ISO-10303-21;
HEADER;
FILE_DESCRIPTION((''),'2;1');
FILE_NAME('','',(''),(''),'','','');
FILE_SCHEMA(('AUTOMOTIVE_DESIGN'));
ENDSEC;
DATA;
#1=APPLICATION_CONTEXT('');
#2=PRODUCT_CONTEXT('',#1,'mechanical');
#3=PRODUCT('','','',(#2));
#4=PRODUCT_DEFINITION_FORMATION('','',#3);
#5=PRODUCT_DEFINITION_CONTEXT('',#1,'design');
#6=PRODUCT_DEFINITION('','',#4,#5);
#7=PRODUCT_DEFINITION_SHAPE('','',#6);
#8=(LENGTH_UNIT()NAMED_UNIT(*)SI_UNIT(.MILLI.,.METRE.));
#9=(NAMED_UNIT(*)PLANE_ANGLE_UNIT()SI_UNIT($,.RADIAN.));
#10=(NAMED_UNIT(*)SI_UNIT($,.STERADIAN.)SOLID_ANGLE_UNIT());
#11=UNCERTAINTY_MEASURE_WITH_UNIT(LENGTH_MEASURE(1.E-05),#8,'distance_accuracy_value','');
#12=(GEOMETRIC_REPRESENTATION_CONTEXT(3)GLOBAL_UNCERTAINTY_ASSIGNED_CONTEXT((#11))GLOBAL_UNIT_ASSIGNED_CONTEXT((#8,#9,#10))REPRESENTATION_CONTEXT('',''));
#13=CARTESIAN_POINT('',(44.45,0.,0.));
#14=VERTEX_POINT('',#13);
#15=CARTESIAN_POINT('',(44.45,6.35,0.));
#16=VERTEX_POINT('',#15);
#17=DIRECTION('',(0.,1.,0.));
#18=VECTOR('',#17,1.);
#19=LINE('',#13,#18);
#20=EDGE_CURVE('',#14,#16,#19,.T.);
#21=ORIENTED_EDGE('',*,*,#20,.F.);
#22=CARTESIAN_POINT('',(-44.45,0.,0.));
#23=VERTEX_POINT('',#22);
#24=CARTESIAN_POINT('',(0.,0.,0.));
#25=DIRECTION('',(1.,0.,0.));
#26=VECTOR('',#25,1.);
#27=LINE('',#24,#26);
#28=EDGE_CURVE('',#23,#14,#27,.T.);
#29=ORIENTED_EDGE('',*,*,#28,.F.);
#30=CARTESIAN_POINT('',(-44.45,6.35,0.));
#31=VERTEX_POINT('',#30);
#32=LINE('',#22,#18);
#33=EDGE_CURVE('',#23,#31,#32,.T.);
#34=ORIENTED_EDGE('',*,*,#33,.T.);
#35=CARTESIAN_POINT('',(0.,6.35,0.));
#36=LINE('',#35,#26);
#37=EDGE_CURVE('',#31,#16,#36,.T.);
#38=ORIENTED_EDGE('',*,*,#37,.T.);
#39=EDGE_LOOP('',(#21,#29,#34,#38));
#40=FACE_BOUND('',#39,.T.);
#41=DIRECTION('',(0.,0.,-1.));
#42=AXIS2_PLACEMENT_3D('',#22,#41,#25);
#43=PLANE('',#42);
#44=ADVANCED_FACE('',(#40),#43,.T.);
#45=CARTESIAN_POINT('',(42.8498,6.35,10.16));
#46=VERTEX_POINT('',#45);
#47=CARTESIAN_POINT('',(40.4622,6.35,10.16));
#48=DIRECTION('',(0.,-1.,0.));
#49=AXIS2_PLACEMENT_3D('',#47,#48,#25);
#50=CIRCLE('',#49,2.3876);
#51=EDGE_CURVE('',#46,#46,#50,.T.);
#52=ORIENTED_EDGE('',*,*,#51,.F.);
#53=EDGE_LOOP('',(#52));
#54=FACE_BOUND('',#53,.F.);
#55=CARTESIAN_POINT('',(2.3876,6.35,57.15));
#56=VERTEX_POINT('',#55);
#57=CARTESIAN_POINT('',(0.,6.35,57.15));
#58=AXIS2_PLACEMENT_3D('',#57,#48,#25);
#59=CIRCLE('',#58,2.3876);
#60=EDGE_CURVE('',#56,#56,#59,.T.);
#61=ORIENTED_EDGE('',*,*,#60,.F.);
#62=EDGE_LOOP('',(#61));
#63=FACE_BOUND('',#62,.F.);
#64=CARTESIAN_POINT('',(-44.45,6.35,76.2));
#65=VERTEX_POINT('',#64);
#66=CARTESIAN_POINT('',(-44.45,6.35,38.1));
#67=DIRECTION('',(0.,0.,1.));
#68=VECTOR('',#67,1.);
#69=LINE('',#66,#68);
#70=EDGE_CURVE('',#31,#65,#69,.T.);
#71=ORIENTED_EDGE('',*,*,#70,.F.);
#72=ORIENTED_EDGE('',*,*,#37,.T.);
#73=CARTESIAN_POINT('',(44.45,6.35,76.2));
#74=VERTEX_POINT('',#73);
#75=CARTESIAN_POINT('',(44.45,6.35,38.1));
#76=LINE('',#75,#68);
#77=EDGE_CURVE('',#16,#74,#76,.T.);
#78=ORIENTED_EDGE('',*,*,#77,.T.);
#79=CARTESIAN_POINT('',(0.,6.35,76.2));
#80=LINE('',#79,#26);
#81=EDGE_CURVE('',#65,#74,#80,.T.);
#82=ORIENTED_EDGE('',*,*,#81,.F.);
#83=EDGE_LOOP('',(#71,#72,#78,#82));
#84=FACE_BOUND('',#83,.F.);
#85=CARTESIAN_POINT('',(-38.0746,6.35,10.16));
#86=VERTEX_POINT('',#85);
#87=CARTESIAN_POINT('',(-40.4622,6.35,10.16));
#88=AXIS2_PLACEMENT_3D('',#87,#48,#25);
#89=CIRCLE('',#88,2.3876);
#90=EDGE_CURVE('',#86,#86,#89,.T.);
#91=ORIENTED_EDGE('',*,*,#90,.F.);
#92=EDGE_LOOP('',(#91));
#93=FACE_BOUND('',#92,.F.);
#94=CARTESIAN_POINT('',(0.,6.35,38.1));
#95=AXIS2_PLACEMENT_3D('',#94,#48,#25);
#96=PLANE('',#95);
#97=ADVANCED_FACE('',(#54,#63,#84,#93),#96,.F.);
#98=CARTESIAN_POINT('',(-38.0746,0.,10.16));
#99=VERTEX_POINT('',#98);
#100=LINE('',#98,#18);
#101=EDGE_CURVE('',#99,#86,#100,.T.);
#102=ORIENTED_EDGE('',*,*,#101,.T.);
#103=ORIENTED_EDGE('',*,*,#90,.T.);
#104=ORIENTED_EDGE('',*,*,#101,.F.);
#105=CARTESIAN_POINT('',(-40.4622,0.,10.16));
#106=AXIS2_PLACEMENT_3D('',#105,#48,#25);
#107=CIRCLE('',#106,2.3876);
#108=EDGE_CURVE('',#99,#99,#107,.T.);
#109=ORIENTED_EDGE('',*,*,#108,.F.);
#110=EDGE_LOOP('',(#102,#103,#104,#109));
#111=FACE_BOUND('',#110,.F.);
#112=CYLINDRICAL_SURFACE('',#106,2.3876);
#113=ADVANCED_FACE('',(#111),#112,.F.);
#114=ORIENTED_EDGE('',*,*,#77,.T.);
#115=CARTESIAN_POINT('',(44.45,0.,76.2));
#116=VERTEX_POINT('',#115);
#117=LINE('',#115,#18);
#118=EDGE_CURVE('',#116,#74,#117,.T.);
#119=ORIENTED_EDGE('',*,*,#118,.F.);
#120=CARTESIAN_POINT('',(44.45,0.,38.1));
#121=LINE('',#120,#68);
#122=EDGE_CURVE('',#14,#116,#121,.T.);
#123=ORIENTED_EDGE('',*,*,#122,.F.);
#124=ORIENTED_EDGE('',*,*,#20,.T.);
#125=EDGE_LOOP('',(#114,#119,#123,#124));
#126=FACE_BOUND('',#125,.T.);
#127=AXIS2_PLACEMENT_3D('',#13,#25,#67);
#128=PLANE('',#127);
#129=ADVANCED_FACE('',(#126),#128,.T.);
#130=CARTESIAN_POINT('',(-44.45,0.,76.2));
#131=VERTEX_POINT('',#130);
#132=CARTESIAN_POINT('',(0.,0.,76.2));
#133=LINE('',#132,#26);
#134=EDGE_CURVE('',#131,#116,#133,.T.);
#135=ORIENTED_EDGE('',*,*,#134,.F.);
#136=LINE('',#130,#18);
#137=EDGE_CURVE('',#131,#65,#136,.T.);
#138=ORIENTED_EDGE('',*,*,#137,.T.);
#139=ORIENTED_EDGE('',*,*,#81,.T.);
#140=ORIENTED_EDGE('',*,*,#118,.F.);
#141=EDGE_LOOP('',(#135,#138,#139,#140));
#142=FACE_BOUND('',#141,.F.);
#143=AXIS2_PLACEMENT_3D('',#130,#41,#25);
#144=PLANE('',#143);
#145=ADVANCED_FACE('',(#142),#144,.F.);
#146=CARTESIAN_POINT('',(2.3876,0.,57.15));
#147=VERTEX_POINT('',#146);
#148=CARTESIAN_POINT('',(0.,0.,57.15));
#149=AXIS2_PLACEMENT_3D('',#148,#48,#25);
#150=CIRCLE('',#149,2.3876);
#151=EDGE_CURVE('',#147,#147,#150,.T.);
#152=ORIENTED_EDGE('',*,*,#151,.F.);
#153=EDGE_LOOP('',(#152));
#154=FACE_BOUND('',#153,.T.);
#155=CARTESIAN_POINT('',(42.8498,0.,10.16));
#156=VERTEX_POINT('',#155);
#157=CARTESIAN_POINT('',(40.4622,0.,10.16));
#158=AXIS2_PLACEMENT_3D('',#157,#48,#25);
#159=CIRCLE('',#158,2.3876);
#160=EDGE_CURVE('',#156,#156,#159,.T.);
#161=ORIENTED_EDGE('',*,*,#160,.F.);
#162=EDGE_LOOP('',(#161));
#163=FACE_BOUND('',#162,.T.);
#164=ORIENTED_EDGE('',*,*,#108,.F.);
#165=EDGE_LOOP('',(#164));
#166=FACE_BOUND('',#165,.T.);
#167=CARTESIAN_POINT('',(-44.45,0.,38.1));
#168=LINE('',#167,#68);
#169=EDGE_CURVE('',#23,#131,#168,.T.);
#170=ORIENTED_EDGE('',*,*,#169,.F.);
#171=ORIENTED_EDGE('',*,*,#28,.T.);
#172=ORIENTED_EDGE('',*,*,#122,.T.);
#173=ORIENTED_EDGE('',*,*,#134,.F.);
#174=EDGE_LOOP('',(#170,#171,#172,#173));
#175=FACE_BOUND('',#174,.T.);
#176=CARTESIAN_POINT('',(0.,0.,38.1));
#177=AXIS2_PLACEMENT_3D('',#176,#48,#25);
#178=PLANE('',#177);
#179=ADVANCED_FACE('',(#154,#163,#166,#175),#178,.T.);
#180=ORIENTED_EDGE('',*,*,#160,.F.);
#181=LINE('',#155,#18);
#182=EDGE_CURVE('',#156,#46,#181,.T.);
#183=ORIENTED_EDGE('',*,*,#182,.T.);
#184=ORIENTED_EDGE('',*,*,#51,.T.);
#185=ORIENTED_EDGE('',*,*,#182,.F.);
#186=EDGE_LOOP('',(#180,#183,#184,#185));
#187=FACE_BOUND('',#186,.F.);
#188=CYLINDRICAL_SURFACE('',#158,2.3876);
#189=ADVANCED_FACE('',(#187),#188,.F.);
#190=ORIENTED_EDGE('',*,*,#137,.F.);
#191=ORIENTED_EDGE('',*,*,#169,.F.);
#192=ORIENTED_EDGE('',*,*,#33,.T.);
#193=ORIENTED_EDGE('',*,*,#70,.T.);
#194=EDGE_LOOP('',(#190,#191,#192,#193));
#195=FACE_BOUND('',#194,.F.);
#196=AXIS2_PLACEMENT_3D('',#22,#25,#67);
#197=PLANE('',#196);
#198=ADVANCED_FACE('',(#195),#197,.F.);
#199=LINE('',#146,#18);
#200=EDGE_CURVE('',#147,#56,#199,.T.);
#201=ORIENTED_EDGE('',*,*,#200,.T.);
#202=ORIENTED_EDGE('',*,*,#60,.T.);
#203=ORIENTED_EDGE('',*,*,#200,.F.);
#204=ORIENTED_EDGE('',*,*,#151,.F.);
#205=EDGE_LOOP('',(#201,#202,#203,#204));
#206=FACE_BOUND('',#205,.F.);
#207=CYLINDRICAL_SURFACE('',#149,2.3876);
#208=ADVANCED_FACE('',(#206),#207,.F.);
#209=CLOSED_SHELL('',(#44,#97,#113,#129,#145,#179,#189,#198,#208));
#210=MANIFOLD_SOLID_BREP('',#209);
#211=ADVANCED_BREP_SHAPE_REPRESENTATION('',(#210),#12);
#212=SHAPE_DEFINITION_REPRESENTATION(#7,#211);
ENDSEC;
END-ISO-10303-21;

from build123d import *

# Parameters (mm, degrees)
F0_W     = 88.9
F0_H     = 76.2
F0_R     = 2.3876
F1_DEPTH = 6.35


with BuildPart() as f1:
    # F0 (on Front) → F1 (new body)
    with BuildSketch(Plane.XZ):
        with Locations((0, 38.1)):
            Rectangle(F0_W, F0_H)
        with Locations((-40.4622, 10.16)):
            Circle(F0_R, mode=Mode.SUBTRACT)
        with Locations((40.4622, 10.16)):
            Circle(F0_R, mode=Mode.SUBTRACT)
        with Locations((0, 57.15)):
            Circle(F0_R, mode=Mode.SUBTRACT)
    extrude(amount=-F1_DEPTH)


solid = f1.part
